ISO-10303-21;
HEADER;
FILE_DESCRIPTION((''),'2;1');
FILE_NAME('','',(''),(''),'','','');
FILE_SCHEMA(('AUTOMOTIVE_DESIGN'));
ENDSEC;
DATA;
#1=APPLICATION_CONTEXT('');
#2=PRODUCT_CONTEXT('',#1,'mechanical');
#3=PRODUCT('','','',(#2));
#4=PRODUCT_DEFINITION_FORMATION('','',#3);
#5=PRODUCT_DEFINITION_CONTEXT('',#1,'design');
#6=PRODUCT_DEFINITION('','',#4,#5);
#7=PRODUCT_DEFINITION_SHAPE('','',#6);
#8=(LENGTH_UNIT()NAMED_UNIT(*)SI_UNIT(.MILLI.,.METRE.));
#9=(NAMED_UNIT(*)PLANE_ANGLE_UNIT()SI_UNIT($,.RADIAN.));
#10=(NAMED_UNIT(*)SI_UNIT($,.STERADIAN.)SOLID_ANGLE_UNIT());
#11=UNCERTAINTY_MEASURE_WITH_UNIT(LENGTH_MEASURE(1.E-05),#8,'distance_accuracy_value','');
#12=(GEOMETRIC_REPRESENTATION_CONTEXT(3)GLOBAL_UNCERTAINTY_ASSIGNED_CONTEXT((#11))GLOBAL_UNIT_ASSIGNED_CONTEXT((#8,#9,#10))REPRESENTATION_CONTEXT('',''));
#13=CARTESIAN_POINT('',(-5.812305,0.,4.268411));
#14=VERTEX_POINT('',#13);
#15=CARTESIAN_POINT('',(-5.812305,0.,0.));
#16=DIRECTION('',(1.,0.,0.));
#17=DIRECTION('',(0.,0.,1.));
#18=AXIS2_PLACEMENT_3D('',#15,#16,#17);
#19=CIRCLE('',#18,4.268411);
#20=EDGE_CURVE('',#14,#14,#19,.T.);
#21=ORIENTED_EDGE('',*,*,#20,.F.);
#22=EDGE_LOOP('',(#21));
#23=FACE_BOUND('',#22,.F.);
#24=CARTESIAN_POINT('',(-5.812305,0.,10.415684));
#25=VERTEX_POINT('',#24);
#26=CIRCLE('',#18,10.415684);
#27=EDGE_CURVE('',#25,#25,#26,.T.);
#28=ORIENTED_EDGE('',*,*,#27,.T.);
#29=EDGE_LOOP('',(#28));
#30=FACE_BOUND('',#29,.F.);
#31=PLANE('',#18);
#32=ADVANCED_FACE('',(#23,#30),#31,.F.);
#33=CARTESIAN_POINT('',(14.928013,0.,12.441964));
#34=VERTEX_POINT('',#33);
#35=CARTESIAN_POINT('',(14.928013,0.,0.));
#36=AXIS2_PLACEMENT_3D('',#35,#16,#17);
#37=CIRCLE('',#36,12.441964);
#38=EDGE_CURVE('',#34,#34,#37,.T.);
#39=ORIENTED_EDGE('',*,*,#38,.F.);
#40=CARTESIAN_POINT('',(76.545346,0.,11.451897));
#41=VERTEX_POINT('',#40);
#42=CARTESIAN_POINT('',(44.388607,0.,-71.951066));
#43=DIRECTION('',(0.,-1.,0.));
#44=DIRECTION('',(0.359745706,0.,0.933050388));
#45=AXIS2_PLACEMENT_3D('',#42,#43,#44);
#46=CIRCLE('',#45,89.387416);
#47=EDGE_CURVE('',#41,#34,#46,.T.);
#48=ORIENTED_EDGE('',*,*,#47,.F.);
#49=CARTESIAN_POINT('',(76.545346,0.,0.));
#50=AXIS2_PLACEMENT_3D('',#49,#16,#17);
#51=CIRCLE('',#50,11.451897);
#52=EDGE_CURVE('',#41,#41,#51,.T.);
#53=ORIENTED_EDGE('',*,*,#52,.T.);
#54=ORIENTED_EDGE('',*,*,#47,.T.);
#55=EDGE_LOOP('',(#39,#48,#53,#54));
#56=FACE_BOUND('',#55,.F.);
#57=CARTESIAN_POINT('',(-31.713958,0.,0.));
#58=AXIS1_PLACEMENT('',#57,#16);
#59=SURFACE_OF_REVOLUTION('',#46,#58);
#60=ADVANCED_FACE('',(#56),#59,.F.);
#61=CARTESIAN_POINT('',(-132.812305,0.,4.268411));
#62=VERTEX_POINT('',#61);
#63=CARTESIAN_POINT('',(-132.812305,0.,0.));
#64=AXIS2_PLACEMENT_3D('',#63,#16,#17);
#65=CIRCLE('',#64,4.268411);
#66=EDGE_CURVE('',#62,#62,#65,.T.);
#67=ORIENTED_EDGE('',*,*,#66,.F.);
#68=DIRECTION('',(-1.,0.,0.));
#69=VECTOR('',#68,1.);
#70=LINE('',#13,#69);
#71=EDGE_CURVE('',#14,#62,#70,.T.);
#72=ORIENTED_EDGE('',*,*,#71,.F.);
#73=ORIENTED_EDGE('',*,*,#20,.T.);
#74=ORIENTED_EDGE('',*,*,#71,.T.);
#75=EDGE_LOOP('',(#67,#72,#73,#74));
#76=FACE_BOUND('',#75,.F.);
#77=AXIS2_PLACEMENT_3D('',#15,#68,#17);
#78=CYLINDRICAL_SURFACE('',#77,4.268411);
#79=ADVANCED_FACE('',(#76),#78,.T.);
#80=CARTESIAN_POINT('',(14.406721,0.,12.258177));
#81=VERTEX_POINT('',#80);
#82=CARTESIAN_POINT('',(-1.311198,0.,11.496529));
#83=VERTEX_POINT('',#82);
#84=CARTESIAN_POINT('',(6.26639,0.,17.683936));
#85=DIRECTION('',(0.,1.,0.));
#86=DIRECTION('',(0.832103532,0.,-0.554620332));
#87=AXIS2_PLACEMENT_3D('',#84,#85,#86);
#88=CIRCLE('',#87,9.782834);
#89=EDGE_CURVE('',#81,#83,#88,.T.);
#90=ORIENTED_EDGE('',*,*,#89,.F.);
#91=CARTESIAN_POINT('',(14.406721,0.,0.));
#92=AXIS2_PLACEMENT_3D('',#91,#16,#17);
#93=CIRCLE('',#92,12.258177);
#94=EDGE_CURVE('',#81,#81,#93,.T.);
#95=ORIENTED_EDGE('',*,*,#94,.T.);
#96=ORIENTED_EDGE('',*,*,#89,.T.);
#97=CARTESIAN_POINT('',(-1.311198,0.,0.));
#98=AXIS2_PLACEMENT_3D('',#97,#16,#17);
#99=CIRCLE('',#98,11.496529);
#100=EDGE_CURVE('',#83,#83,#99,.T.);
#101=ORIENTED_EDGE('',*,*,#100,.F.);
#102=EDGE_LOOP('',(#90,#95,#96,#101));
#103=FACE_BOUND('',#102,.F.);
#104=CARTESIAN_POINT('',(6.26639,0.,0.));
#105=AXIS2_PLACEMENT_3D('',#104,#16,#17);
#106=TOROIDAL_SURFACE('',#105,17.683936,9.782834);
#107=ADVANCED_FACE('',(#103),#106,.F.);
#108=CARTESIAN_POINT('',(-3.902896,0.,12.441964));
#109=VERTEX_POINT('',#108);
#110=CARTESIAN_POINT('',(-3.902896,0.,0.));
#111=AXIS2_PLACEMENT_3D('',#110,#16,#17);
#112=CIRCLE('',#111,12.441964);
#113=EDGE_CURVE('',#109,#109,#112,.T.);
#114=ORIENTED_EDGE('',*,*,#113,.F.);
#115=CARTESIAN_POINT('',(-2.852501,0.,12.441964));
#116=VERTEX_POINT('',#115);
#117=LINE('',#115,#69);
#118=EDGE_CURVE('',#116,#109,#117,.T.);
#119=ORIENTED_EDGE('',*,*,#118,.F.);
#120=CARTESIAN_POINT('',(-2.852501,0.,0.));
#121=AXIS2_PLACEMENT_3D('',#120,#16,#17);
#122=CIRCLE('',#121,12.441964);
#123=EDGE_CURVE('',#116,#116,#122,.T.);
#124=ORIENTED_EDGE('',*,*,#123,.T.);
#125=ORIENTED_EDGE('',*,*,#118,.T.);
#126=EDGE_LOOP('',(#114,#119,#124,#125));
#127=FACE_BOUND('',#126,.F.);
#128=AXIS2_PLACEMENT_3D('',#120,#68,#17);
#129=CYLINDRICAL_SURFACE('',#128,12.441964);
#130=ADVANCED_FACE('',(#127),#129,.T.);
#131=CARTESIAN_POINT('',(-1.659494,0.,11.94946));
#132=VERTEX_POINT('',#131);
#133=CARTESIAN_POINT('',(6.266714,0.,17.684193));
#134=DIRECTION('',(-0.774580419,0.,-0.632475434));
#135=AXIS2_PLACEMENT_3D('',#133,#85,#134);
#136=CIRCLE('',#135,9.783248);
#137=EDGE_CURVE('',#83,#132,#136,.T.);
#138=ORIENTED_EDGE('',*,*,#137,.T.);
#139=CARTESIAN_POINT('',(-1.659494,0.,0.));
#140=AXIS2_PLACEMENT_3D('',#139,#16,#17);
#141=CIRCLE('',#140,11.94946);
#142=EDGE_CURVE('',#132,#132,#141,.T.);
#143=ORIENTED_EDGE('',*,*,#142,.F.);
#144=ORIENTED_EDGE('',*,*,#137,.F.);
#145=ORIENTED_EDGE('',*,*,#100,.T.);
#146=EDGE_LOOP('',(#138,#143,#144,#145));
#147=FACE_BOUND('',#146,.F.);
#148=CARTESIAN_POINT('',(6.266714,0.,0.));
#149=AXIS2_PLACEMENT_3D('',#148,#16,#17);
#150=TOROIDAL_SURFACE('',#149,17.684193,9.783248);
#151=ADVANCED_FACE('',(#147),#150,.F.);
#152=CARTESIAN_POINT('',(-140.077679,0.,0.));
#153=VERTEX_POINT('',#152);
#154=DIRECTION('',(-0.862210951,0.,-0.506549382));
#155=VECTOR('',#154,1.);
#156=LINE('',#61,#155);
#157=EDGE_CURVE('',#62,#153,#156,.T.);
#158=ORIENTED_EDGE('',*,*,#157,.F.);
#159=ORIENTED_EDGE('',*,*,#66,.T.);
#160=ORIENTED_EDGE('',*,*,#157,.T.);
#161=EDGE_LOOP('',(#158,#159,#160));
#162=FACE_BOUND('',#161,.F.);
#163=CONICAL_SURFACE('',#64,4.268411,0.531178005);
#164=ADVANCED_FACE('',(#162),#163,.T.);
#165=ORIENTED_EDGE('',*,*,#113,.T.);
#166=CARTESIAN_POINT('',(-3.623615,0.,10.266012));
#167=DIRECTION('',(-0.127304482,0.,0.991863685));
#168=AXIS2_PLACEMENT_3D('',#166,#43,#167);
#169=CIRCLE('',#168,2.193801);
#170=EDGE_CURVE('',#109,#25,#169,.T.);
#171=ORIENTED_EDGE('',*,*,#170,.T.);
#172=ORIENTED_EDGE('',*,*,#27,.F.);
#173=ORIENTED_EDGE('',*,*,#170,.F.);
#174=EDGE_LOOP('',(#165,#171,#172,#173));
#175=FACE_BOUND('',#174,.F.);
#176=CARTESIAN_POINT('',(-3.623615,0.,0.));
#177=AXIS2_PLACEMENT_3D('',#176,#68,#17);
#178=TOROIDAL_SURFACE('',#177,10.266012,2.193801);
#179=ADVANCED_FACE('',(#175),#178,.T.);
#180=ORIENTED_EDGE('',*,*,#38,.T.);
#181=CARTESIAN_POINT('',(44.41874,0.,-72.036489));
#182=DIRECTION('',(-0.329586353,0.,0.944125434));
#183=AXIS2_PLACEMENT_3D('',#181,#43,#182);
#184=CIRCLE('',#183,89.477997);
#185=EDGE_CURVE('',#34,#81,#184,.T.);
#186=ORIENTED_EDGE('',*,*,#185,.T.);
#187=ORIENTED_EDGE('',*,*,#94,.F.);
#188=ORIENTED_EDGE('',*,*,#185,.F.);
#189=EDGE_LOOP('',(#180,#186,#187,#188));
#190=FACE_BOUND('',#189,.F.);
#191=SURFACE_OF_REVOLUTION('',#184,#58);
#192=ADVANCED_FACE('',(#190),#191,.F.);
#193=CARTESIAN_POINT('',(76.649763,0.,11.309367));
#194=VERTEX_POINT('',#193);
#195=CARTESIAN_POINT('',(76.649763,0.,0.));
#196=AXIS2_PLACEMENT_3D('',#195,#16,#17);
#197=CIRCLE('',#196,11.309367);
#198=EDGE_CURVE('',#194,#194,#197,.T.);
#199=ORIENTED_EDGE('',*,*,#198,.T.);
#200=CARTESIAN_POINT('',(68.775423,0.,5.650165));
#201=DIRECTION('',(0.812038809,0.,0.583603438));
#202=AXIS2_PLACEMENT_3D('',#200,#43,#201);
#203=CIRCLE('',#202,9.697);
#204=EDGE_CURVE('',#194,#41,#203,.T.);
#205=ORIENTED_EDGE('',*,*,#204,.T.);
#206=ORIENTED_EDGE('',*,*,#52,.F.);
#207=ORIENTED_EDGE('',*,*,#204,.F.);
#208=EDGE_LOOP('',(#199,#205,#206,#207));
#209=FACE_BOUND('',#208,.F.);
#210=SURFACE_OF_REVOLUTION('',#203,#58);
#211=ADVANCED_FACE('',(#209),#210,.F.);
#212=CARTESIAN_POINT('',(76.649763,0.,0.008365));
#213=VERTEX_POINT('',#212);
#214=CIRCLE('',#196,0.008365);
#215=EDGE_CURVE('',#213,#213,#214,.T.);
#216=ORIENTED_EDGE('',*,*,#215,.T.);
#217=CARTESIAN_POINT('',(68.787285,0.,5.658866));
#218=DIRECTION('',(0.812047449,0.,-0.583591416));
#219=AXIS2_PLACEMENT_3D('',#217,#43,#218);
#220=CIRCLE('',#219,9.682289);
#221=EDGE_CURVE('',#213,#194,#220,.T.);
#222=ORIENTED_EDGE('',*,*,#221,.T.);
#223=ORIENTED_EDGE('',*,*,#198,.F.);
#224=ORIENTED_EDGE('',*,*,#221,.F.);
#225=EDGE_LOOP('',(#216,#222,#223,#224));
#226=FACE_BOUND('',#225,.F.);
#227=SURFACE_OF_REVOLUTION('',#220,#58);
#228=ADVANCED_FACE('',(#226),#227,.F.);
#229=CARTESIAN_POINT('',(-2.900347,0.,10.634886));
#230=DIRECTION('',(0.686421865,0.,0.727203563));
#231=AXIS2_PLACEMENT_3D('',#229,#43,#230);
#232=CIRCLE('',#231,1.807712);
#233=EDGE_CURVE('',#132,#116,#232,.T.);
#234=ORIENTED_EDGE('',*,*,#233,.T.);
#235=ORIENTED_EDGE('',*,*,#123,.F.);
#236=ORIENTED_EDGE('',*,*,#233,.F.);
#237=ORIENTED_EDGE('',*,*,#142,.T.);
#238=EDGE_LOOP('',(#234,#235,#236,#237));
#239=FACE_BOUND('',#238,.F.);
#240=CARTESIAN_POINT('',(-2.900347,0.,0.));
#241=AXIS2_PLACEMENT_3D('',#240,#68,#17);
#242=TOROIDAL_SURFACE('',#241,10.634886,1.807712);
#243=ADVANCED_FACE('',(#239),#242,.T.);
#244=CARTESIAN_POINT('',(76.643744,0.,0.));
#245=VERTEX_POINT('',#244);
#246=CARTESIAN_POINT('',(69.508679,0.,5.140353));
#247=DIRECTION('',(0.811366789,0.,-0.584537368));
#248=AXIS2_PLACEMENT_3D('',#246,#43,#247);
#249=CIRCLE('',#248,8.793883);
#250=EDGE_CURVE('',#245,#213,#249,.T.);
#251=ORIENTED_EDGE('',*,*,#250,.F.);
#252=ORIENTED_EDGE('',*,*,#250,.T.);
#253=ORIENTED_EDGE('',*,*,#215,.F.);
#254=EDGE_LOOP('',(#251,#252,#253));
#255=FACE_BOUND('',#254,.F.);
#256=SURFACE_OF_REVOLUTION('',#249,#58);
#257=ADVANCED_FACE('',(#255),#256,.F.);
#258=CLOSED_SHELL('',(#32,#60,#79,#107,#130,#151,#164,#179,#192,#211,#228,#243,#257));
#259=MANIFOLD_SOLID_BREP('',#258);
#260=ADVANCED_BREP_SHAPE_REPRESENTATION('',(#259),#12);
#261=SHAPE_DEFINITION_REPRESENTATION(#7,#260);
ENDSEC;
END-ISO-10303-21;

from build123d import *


with BuildPart() as f1:
    # F0 (on Front) → F1 (revolve)
    with BuildSketch(Plane.XZ):
        with BuildLine():
            Line((-132.812305, 4.268411), (-140.077679, 0))
            Line((-140.077679, 0), (76.643744, 0))
            ThreePointArc((76.643744, 0), (76.646755, 0.004182), (76.649763, 0.008365))
            ThreePointArc((76.649763, 0.008365), (78.469574, 5.658866), (76.649763, 11.309367))
            ThreePointArc((76.649763, 11.309367), (76.597879, 11.38087), (76.545346, 11.451897))
            ThreePointArc((76.545346, 11.451897), (45.824698, 17.424813), (14.928013, 12.441964))
            ThreePointArc((14.928013, 12.441964), (14.667225, 12.350473), (14.406721, 12.258177))
            ThreePointArc((14.406721, 12.258177), (6.739885, 7.912567), (-1.311198, 11.496529))
            ThreePointArc((-1.311198, 11.496529), (-1.488653, 11.720451), (-1.659494, 11.94946))
            ThreePointArc((-1.659494, 11.94946), (-2.210545, 12.305812), (-2.852501, 12.441964))
            Line((-2.852501, 12.441964), (-2.948192, 12.441964))
            Line((-2.948192, 12.441964), (-3.344335, 12.441964))
            Line((-3.344335, 12.441964), (-3.902896, 12.441964))
            ThreePointArc((-3.902896, 12.441964), (-5.220228, 11.770536), (-5.812305, 10.415684))
            Line((-5.812305, 10.415684), (-5.812305, 10.116341))
            Line((-5.812305, 10.116341), (-5.812305, 4.268411))
            Line((-5.812305, 4.268411), (-132.812305, 4.268411))
        make_face()
    revolve(axis=Axis((-31.713958, 0, 0), (1, 0, 0)))


solid = f1.part
